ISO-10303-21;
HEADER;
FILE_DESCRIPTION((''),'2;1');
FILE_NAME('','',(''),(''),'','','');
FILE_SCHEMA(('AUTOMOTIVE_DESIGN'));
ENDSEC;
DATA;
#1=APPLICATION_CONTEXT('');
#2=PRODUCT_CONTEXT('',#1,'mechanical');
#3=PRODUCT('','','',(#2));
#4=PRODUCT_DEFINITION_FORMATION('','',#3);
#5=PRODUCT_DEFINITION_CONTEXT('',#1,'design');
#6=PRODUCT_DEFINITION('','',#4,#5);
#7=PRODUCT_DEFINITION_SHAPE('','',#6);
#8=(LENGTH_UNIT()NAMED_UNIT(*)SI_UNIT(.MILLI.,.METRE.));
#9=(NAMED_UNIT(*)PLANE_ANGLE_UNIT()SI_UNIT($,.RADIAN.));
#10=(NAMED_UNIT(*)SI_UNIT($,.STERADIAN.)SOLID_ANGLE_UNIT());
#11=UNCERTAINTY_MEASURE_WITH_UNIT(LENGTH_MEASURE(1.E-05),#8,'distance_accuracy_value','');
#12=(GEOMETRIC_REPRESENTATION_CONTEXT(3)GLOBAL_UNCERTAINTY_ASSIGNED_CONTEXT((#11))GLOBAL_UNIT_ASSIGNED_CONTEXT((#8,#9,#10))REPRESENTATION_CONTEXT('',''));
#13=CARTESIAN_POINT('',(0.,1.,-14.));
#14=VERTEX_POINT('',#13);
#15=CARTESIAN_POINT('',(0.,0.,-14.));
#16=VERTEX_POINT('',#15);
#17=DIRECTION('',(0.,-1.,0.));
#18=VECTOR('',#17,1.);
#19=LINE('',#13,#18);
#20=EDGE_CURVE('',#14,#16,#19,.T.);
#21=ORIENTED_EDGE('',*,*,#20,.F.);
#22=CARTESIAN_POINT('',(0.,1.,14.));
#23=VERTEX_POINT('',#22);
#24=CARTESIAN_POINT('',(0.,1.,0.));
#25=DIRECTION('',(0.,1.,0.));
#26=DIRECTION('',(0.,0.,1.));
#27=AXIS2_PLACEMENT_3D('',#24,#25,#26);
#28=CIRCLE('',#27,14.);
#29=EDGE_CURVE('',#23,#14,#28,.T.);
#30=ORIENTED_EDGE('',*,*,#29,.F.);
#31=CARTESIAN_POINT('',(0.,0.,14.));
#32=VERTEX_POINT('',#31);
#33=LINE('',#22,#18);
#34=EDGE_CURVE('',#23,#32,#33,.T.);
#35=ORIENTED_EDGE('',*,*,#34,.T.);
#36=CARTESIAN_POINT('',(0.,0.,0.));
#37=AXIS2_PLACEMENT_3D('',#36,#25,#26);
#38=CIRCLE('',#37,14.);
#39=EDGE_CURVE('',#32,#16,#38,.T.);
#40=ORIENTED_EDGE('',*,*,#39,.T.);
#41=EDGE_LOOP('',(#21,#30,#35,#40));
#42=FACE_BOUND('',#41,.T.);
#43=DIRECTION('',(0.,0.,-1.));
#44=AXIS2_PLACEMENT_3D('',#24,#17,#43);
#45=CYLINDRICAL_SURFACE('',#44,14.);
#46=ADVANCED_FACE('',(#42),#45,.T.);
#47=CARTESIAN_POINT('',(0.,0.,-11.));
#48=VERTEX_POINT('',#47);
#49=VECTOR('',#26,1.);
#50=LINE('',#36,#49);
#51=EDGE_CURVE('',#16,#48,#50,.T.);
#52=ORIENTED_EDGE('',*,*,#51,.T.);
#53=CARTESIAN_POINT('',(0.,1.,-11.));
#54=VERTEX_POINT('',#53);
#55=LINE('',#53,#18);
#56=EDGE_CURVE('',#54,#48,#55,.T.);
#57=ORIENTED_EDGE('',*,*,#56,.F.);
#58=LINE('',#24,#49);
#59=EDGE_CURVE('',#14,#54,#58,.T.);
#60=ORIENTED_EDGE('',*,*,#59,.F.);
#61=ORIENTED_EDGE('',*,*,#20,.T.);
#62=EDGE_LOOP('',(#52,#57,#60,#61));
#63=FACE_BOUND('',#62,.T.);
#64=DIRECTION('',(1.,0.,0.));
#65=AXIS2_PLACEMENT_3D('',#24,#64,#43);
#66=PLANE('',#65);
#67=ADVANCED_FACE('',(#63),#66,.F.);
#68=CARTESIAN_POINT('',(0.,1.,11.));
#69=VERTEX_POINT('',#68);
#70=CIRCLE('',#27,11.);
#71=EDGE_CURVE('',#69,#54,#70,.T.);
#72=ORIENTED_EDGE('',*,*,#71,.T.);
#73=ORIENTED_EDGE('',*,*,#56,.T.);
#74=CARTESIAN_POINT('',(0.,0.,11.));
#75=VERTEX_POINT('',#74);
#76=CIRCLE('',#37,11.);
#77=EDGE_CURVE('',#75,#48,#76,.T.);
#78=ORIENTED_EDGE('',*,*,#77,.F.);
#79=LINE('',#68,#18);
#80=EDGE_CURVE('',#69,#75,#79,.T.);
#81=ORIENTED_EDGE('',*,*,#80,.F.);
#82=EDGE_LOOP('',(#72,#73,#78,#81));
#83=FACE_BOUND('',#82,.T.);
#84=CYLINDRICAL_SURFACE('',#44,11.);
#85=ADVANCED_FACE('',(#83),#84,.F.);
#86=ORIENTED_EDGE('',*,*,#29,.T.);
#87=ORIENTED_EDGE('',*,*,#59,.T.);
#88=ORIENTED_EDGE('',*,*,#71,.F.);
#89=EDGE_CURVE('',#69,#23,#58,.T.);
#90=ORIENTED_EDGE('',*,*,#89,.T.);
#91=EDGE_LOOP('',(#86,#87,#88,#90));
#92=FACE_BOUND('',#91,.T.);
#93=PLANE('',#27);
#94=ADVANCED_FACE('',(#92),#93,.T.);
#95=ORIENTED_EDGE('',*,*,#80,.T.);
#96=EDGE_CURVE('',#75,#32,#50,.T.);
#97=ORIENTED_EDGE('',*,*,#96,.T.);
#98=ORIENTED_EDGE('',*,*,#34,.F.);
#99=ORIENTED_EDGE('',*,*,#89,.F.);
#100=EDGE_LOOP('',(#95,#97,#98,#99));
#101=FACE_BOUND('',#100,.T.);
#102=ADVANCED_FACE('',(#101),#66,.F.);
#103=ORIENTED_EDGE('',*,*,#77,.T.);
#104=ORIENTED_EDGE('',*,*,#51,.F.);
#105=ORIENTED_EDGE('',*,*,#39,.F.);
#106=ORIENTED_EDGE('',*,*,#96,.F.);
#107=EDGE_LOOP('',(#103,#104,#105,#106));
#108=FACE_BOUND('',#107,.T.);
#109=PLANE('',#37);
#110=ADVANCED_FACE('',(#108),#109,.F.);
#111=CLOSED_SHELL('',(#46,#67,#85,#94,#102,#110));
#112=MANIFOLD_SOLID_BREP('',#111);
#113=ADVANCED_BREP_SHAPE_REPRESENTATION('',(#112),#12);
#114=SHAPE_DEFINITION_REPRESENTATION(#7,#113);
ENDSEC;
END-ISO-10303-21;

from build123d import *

# Parameters (mm, degrees)
BOSS_EXTRUDE1_DEPTH = 1


with BuildPart() as part:
    # Sketch1 → Boss-Extrude1 (new body)
    with BuildSketch(Plane(origin=(0, 0, 0), x_dir=(1, 0, 0), z_dir=(0, 1, 0))):
        with BuildLine():
            ThreePointArc((0, -14), (14, 0), (0, 14))
            Line((0, 14), (0, 11))
            ThreePointArc((0, 11), (11, 0), (0, -11))
            Line((0, -11), (0, -14))
        make_face()
    extrude(amount=BOSS_EXTRUDE1_DEPTH)


solid = part.part
